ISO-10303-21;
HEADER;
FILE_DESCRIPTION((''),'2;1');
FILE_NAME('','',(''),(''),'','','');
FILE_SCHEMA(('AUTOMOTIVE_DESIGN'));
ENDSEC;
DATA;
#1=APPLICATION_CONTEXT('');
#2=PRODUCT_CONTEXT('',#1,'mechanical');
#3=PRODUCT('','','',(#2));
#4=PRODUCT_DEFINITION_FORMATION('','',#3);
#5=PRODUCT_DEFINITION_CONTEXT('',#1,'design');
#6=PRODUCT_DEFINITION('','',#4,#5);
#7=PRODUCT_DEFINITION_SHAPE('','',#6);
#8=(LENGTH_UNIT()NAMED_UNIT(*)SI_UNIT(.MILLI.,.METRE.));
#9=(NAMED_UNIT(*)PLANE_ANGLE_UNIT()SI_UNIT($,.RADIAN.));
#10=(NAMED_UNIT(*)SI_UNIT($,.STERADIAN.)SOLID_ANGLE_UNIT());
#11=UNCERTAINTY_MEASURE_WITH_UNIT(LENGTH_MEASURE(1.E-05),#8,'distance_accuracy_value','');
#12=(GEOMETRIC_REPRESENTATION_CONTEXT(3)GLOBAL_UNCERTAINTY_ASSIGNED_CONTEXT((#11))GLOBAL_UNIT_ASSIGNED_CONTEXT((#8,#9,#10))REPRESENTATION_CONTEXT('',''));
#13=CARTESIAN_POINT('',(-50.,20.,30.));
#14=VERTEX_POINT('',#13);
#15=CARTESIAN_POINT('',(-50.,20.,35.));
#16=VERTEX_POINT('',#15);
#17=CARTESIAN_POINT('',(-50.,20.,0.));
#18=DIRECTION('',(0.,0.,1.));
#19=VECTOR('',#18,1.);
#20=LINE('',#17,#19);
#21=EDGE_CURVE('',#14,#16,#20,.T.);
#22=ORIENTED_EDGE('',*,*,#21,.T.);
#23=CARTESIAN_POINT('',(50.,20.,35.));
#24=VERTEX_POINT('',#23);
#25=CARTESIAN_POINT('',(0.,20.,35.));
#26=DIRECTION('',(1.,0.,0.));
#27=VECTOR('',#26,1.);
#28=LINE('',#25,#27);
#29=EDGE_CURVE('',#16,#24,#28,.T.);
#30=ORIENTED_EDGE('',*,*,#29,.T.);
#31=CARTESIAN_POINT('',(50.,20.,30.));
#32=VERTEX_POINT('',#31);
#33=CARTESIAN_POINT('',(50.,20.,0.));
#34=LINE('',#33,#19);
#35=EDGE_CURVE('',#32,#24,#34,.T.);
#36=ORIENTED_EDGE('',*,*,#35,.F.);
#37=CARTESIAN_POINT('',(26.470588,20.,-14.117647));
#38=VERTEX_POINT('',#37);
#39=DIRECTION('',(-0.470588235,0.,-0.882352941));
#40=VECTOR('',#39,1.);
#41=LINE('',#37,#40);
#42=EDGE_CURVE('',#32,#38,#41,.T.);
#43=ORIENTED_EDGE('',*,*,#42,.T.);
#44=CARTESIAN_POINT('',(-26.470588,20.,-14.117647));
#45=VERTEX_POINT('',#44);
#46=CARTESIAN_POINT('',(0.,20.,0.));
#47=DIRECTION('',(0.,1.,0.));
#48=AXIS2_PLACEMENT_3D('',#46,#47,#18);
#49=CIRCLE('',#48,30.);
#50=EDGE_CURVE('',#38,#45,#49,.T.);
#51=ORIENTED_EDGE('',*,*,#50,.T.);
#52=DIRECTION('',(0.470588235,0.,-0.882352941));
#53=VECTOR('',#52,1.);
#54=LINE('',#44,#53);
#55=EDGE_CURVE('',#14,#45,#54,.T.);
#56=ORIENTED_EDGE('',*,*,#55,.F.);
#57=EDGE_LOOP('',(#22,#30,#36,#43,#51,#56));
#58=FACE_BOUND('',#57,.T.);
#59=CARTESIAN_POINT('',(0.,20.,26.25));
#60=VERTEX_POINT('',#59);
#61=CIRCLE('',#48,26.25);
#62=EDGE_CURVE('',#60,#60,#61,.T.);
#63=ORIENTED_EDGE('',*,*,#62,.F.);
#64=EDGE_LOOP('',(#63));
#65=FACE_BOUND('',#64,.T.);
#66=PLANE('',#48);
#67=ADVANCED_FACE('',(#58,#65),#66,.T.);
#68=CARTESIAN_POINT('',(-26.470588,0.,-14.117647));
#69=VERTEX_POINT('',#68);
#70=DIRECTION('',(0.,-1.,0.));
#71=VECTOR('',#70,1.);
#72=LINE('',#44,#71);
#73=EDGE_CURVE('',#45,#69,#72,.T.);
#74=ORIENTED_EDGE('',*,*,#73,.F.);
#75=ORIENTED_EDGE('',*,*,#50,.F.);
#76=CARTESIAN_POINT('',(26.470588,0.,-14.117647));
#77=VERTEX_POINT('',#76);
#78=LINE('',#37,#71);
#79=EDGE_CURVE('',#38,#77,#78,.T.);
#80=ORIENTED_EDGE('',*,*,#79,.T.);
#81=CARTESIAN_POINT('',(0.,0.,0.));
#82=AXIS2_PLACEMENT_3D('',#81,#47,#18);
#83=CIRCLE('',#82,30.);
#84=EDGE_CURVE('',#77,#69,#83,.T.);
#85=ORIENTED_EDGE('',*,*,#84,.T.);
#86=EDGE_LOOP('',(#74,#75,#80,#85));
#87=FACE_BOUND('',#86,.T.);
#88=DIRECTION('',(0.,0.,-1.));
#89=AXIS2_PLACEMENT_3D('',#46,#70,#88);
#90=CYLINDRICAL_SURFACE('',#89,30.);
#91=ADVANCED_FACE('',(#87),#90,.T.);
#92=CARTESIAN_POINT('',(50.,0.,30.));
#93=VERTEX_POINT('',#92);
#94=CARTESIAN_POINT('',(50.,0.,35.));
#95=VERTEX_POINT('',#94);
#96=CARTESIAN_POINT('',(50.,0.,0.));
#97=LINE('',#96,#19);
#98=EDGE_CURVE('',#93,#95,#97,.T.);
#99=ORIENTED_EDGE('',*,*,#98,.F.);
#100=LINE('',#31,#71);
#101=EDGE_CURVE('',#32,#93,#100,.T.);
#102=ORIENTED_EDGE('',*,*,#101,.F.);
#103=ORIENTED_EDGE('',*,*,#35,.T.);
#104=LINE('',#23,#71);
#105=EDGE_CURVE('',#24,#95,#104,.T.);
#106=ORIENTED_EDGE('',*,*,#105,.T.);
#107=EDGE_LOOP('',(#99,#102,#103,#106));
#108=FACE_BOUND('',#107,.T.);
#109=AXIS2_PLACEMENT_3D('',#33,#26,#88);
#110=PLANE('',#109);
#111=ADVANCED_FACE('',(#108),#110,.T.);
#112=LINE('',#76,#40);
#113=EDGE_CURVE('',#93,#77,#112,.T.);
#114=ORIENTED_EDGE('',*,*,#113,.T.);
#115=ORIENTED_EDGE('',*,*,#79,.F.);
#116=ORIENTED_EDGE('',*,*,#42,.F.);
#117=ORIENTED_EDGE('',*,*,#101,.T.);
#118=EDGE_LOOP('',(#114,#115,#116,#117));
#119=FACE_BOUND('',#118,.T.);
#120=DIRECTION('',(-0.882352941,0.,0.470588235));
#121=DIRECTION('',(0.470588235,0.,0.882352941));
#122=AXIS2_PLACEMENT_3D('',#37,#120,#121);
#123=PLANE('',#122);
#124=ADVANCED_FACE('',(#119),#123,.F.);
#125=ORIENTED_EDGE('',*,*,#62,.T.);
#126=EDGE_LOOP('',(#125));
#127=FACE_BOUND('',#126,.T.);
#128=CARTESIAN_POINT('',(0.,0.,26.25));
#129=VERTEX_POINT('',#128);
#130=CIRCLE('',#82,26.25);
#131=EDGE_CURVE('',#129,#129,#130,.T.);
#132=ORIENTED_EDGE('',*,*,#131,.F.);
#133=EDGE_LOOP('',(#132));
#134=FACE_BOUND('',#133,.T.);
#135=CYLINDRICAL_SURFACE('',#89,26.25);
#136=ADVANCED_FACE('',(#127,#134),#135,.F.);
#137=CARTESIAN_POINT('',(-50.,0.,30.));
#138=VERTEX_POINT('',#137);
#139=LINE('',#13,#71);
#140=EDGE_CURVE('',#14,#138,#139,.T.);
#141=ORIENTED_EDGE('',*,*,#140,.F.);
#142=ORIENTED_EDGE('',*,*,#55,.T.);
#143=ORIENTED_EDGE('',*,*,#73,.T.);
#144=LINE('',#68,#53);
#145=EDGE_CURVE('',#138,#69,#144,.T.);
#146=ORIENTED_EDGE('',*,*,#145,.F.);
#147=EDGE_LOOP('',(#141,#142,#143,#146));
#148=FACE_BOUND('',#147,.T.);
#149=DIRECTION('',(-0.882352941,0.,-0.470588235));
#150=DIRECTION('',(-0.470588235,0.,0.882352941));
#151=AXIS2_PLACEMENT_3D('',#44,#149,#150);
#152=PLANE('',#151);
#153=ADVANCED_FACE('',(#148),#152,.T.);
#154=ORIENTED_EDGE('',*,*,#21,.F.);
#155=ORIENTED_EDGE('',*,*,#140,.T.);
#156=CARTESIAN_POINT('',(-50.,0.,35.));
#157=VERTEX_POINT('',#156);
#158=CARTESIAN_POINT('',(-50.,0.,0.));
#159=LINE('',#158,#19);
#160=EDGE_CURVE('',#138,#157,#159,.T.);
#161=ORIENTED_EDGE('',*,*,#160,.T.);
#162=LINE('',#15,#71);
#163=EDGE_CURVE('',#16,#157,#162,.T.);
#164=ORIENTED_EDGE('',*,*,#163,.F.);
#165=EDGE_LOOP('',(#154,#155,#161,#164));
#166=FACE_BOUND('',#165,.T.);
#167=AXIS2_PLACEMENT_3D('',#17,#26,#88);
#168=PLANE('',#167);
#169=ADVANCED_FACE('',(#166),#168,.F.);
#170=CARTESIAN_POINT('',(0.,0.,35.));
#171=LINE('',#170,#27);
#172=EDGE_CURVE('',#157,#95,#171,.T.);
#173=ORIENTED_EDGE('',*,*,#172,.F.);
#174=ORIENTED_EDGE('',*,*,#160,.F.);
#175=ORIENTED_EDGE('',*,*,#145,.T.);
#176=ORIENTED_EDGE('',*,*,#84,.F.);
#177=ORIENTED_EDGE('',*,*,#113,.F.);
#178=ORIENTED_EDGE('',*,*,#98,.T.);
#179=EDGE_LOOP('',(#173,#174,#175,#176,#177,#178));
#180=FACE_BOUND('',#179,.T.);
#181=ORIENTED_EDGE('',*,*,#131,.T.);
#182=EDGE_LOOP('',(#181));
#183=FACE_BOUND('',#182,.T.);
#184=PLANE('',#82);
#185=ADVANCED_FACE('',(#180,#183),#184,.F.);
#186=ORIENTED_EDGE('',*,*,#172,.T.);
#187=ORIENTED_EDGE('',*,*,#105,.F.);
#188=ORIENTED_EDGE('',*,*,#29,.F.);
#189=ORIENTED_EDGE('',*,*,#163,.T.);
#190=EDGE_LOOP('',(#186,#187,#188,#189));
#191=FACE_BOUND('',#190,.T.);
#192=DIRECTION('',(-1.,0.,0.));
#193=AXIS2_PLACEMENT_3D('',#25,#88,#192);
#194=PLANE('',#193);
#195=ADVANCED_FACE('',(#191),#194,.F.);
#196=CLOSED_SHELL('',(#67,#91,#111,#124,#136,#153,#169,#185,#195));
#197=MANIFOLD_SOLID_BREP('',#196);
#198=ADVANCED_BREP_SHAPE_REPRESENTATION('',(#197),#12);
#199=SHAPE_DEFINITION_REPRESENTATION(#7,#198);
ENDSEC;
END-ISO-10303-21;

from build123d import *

# Parameters (mm, degrees)
SKETCH1_R           = 30
BOSS_EXTRUDE1_DEPTH = 20
SKETCH2_R           = 26.25
CUT_EXTRUDE1_DEPTH  = 20


with BuildPart() as part:
    # Sketch1 → Boss-Extrude1 (new body)
    with BuildSketch(Plane(origin=(0, 0, 0), x_dir=(1, 0, 0), z_dir=(0, 1, 0))):
        Circle(SKETCH1_R)
        with BuildLine():
            Line((-26.470588235, 14.117647059), (-50, -30))
            Line((-50, -30), (-50, -35))
            Line((-50, -35), (50, -35))
            Line((50, -35), (50, -30))
            Line((50, -30), (26.470588235, 14.117647059))
            ThreePointArc((26.470588235, 14.117647059), (29.104275004, 7.276068751), (30, 0))
            ThreePointArc((30, 0), (-7.276068751, -29.104275004), (-26.470588235, 14.117647059))
        make_face()
    extrude(amount=BOSS_EXTRUDE1_DEPTH)

    # Sketch2 → Cut-Extrude1 (cut)
    with BuildSketch(Plane(origin=(0, 0, 0), x_dir=(1, 0, 0), z_dir=(0, 1, 0))):
        Circle(SKETCH2_R)
    extrude(amount=CUT_EXTRUDE1_DEPTH, mode=Mode.SUBTRACT)


solid = part.part
